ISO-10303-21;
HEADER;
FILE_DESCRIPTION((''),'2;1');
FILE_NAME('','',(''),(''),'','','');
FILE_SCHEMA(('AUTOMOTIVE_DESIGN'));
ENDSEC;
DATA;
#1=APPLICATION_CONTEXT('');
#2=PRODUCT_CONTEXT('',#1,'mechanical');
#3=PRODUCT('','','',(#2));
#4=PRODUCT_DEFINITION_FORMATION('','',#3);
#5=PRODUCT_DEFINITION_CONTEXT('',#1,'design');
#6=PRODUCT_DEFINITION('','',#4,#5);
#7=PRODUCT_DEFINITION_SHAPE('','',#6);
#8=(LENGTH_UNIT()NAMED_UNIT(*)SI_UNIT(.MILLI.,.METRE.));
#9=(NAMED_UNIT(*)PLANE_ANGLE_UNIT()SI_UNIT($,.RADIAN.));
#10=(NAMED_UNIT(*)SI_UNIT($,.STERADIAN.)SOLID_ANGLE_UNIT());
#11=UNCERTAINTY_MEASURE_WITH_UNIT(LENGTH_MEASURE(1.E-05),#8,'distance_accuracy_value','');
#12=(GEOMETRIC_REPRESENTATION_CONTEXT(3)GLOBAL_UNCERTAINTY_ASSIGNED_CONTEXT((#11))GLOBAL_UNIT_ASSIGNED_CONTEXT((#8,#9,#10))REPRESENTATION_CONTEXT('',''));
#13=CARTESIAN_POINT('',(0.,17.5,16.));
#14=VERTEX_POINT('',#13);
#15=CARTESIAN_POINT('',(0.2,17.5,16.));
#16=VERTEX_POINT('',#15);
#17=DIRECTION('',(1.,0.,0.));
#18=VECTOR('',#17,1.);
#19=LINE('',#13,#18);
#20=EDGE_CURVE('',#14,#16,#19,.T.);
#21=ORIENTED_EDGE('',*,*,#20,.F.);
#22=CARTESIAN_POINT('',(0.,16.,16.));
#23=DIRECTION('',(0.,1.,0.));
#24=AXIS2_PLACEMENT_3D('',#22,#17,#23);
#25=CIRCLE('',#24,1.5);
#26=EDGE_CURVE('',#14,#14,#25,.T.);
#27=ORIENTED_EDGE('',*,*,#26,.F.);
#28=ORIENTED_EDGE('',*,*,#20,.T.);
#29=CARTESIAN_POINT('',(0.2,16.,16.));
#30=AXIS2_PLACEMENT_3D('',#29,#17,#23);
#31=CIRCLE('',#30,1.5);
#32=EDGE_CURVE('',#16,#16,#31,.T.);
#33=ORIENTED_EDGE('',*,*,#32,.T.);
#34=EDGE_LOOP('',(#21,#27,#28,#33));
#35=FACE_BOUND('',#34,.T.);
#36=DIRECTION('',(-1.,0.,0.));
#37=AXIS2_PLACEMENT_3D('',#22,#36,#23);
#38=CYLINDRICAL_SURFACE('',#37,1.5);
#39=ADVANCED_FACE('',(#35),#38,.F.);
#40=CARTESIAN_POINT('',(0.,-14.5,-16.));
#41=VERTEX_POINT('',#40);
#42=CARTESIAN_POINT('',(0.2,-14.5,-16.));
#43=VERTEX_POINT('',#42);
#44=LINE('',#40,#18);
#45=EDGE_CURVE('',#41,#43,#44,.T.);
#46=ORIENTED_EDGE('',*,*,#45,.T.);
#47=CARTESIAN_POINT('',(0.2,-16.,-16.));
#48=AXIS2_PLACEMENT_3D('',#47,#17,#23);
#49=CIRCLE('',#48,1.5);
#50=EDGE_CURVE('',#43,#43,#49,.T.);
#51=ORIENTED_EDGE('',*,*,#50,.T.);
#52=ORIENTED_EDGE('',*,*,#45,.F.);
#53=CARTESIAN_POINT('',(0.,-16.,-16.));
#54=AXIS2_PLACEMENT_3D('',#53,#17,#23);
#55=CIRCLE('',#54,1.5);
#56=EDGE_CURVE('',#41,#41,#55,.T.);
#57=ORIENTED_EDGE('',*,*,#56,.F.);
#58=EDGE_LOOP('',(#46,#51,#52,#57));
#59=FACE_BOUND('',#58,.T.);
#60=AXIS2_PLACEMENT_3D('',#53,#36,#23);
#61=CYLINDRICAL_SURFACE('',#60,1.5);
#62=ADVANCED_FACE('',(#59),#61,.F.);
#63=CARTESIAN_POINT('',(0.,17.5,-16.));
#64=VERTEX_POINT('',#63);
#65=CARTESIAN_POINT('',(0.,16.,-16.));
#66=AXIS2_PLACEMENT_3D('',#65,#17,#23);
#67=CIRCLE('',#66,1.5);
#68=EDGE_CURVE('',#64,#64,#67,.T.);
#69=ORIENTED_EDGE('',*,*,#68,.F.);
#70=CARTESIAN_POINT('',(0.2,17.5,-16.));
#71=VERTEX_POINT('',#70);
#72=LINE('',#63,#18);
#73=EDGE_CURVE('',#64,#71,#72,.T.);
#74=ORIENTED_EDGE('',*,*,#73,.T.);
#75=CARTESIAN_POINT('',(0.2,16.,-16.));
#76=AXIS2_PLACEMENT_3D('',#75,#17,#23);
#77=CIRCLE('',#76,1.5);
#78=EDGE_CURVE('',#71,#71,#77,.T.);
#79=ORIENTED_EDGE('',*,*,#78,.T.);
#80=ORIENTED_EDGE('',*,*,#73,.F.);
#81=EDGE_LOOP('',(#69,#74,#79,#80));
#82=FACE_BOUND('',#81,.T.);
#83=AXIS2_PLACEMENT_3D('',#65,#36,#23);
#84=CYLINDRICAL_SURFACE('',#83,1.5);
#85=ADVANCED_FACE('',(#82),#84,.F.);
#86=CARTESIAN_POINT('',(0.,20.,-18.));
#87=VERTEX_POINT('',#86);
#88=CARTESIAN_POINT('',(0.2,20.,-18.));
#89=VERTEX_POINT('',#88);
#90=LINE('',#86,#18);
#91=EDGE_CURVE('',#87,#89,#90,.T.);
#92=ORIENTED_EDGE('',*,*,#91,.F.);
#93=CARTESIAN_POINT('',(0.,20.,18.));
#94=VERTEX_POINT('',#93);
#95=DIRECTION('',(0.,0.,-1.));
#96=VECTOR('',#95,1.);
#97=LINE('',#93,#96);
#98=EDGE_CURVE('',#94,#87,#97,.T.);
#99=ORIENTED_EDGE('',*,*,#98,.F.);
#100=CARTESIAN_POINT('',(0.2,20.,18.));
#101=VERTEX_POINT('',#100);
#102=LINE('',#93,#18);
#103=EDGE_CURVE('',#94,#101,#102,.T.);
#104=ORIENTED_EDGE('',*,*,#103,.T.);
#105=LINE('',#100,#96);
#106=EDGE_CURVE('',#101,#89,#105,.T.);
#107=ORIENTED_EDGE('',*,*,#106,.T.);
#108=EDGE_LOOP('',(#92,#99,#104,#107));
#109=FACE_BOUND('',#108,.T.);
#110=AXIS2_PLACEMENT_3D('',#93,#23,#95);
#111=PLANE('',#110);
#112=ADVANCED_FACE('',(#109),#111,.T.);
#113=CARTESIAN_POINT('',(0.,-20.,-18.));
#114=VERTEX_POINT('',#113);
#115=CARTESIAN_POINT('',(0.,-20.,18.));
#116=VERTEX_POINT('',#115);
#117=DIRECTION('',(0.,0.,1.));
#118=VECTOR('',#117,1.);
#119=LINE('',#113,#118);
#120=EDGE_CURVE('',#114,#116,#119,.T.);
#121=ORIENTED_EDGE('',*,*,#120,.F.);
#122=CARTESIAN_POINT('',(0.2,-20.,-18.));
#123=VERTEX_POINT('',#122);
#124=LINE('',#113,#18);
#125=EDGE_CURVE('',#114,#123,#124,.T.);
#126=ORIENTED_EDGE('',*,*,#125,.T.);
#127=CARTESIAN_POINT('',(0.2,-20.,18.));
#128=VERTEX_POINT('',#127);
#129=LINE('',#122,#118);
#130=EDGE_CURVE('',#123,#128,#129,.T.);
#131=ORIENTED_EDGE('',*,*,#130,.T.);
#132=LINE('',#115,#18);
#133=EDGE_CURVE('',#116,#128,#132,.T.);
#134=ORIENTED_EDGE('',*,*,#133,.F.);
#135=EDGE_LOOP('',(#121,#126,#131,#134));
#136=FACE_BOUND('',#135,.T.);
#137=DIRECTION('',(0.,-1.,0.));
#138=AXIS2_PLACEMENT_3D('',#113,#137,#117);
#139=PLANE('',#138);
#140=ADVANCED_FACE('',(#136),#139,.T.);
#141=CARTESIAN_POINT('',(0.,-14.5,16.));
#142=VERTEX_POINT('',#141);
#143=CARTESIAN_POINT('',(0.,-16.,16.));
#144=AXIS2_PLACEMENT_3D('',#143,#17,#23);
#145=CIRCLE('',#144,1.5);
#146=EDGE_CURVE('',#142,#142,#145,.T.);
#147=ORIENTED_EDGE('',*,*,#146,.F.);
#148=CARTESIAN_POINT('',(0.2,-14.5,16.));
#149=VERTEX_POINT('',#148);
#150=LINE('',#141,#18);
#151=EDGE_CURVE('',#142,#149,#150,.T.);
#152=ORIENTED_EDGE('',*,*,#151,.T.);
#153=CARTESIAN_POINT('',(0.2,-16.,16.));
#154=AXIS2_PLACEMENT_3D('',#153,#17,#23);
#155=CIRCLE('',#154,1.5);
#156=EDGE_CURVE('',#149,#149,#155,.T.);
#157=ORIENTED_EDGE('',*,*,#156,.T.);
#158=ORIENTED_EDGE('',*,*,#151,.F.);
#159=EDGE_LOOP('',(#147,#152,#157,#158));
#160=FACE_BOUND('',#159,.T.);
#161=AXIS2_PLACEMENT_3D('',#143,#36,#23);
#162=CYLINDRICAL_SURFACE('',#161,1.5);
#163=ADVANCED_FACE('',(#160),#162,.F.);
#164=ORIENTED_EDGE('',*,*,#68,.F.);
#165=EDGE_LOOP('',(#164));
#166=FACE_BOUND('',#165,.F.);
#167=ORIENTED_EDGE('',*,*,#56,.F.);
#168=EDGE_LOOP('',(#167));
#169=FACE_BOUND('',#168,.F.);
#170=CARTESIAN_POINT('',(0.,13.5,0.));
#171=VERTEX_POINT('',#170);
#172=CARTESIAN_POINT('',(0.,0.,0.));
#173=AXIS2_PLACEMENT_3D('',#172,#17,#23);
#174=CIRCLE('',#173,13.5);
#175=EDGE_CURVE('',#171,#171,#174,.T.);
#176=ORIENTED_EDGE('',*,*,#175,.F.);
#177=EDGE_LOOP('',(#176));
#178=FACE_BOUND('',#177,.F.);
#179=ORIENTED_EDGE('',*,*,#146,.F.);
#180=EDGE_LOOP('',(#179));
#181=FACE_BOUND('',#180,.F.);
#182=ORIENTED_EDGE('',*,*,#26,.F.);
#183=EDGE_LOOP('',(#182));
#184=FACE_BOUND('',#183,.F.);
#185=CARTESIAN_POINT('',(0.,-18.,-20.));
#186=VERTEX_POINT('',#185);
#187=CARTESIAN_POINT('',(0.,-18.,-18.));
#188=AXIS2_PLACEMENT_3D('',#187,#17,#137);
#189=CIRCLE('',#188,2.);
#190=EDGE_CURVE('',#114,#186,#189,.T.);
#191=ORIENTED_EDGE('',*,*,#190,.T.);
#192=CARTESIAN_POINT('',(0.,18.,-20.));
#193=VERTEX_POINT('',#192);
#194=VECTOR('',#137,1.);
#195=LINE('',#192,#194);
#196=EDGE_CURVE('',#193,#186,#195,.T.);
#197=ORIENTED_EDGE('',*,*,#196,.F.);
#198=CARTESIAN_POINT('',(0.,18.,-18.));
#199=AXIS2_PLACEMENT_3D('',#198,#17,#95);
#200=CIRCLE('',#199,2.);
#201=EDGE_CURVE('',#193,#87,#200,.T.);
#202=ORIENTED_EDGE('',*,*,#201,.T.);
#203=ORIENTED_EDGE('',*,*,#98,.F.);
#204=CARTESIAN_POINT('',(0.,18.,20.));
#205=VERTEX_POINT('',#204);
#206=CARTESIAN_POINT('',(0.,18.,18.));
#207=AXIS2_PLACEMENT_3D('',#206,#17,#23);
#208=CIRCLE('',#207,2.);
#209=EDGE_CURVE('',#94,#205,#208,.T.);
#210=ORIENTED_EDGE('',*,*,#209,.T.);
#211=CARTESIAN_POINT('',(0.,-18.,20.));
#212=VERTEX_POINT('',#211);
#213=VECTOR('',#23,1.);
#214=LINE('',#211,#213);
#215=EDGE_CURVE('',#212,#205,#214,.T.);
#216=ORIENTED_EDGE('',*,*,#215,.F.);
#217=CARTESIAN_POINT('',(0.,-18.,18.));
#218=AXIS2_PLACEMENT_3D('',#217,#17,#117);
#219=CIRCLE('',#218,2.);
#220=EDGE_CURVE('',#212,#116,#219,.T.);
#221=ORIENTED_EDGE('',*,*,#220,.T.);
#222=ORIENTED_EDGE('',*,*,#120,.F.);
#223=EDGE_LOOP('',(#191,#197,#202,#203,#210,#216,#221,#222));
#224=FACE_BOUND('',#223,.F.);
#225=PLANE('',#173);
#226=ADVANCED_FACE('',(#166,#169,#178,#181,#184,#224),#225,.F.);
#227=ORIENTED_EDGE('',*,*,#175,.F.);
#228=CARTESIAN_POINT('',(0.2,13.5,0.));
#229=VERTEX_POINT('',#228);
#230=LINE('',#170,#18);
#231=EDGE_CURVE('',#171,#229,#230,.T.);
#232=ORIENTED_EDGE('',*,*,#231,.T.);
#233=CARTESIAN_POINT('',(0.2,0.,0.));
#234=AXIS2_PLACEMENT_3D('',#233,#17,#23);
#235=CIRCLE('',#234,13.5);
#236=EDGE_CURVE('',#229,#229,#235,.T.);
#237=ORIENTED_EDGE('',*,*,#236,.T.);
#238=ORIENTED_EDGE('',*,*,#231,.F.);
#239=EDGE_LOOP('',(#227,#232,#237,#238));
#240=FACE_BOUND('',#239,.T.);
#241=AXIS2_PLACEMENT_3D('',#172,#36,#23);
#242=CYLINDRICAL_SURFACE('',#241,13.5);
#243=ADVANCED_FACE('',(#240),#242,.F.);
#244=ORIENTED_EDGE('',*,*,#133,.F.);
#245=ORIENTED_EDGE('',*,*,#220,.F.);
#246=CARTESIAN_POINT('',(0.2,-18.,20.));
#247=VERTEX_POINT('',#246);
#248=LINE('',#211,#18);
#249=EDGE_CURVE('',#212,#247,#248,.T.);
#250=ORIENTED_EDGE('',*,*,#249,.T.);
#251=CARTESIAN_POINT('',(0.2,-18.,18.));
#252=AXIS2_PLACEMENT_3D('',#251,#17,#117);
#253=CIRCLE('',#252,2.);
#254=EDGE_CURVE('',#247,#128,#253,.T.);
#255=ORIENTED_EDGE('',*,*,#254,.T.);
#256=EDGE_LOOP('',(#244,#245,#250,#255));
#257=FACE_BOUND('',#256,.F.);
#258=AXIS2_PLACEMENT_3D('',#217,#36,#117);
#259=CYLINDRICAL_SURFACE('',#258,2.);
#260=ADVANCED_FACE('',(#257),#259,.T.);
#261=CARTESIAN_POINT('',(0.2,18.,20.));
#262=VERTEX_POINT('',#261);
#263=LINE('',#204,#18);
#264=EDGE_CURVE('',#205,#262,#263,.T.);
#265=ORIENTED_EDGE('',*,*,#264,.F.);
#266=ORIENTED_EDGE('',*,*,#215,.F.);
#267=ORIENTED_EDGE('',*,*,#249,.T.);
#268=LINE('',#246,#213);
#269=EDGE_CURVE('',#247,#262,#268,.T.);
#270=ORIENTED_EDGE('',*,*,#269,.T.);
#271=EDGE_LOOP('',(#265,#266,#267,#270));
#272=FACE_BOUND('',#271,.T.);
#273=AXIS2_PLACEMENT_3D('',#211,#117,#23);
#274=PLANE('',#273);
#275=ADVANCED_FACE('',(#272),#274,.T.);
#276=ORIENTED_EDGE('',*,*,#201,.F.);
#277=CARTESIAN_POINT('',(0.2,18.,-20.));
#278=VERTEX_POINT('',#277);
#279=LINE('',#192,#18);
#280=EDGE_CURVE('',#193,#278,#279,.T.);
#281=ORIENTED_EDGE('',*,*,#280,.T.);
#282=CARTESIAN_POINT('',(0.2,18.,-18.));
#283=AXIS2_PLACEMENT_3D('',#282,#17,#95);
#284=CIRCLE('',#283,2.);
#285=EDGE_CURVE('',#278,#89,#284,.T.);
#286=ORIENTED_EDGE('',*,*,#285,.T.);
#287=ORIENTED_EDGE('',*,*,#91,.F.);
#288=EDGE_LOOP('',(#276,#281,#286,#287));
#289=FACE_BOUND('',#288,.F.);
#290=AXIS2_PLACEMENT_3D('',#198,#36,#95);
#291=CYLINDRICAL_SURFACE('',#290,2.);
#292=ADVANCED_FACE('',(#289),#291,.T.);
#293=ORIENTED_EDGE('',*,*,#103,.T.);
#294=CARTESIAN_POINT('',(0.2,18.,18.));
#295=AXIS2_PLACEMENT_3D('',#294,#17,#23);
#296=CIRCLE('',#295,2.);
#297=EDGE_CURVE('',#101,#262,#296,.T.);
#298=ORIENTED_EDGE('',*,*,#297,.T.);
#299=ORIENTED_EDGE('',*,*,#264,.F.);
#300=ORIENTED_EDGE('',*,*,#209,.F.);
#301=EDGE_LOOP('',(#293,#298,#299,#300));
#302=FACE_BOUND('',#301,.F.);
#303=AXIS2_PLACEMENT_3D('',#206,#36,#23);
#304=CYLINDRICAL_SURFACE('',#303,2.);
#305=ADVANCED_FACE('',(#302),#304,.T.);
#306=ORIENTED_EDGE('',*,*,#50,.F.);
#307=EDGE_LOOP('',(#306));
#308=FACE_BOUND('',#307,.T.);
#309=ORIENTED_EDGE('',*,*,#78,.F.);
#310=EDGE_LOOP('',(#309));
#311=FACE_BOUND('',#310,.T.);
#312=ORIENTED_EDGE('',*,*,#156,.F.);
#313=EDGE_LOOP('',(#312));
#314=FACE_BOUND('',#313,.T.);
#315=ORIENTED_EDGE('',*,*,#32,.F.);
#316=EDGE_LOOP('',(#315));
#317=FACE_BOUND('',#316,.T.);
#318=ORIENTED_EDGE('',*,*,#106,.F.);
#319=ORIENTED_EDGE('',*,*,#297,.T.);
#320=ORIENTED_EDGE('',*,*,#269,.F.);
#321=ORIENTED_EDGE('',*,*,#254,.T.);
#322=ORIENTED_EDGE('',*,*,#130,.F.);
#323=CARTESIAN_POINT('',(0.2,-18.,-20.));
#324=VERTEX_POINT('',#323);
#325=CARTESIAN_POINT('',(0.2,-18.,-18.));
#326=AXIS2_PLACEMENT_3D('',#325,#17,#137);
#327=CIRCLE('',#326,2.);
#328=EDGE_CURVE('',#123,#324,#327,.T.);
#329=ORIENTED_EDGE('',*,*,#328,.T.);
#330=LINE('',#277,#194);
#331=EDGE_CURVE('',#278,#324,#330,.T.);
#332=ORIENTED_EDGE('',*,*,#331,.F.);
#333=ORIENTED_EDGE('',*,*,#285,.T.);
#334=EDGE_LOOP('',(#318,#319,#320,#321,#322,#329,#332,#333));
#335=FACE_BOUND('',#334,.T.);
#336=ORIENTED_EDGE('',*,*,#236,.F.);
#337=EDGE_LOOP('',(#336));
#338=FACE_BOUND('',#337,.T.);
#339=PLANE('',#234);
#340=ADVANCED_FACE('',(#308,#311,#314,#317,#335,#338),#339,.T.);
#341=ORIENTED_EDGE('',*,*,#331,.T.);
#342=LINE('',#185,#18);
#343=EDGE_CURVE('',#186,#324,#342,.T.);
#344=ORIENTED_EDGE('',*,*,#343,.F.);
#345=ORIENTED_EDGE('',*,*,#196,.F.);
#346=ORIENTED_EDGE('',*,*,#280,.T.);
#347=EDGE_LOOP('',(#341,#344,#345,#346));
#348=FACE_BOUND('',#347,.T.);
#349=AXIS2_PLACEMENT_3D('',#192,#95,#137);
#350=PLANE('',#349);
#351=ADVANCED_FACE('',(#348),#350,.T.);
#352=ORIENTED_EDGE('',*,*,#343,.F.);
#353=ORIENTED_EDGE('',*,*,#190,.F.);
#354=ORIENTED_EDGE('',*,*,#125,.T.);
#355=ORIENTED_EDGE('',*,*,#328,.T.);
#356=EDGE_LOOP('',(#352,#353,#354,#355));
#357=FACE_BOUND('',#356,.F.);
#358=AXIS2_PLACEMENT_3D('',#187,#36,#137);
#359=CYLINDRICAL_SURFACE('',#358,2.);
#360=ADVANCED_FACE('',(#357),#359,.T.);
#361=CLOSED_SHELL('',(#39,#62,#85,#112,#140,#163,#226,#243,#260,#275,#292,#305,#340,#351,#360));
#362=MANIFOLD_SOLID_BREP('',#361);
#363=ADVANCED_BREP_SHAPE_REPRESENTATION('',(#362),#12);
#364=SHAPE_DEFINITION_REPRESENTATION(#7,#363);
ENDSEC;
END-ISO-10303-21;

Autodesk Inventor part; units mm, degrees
ref_plane "YZ Plane" through (0, 0, 0) normal (1, 0, 0) x (0, 1, 0)
ref_plane "XZ Plane" through (0, 0, 0) normal (0, 1, 0) x (-1, 0, 0)
ref_plane "XY Plane" through (0, 0, 0) normal (0, 0, 1) x (1, 0, 0)
sketch "Sketch1" plane through (0, 0, 0) normal (1, 0, 0) x (0, 1, 0)
  line L0 (-18, 20) -> (18, 20)
  line L1 (20, 18) -> (20, -18)
  line L2 (18, -20) -> (-18, -20)
  line L3 (-20, -18) -> (-20, 18)
  line L4 (-20, 20) -> (20, -20) construction
  line L5 (20, 20) -> (-20, -20) construction
  circle A0 centre (16, 16) radius 1.5
  circle A1 centre (16, -16) radius 1.5
  circle A2 centre (-16, -16) radius 1.5
  circle A3 centre (-16, 16) radius 1.5
  circle A4 centre (0, 0) radius 13.5
  arc A5 (20, 18) -> (18, 20) centre (18, 18) ccw
  arc A6 (18, -20) -> (20, -18) centre (18, -18) ccw
  arc A7 (-18, 20) -> (-20, 18) centre (-18, 18) ccw
  arc A8 (-20, -18) -> (-18, -20) centre (-18, -18) ccw
  dimension "d0" = 40
  dimension "d1" = 40
  dimension "d2" = 3
  dimension "d3" = 27
  dimension "d4" = 32
  dimension "d5" = 32
  dimension "d6" = 2
extrude "Extrusion1" add sketch "Sketch1" along normal blind 0.2
properties part number "Component 22 (Cylinder Base Gasket)"
